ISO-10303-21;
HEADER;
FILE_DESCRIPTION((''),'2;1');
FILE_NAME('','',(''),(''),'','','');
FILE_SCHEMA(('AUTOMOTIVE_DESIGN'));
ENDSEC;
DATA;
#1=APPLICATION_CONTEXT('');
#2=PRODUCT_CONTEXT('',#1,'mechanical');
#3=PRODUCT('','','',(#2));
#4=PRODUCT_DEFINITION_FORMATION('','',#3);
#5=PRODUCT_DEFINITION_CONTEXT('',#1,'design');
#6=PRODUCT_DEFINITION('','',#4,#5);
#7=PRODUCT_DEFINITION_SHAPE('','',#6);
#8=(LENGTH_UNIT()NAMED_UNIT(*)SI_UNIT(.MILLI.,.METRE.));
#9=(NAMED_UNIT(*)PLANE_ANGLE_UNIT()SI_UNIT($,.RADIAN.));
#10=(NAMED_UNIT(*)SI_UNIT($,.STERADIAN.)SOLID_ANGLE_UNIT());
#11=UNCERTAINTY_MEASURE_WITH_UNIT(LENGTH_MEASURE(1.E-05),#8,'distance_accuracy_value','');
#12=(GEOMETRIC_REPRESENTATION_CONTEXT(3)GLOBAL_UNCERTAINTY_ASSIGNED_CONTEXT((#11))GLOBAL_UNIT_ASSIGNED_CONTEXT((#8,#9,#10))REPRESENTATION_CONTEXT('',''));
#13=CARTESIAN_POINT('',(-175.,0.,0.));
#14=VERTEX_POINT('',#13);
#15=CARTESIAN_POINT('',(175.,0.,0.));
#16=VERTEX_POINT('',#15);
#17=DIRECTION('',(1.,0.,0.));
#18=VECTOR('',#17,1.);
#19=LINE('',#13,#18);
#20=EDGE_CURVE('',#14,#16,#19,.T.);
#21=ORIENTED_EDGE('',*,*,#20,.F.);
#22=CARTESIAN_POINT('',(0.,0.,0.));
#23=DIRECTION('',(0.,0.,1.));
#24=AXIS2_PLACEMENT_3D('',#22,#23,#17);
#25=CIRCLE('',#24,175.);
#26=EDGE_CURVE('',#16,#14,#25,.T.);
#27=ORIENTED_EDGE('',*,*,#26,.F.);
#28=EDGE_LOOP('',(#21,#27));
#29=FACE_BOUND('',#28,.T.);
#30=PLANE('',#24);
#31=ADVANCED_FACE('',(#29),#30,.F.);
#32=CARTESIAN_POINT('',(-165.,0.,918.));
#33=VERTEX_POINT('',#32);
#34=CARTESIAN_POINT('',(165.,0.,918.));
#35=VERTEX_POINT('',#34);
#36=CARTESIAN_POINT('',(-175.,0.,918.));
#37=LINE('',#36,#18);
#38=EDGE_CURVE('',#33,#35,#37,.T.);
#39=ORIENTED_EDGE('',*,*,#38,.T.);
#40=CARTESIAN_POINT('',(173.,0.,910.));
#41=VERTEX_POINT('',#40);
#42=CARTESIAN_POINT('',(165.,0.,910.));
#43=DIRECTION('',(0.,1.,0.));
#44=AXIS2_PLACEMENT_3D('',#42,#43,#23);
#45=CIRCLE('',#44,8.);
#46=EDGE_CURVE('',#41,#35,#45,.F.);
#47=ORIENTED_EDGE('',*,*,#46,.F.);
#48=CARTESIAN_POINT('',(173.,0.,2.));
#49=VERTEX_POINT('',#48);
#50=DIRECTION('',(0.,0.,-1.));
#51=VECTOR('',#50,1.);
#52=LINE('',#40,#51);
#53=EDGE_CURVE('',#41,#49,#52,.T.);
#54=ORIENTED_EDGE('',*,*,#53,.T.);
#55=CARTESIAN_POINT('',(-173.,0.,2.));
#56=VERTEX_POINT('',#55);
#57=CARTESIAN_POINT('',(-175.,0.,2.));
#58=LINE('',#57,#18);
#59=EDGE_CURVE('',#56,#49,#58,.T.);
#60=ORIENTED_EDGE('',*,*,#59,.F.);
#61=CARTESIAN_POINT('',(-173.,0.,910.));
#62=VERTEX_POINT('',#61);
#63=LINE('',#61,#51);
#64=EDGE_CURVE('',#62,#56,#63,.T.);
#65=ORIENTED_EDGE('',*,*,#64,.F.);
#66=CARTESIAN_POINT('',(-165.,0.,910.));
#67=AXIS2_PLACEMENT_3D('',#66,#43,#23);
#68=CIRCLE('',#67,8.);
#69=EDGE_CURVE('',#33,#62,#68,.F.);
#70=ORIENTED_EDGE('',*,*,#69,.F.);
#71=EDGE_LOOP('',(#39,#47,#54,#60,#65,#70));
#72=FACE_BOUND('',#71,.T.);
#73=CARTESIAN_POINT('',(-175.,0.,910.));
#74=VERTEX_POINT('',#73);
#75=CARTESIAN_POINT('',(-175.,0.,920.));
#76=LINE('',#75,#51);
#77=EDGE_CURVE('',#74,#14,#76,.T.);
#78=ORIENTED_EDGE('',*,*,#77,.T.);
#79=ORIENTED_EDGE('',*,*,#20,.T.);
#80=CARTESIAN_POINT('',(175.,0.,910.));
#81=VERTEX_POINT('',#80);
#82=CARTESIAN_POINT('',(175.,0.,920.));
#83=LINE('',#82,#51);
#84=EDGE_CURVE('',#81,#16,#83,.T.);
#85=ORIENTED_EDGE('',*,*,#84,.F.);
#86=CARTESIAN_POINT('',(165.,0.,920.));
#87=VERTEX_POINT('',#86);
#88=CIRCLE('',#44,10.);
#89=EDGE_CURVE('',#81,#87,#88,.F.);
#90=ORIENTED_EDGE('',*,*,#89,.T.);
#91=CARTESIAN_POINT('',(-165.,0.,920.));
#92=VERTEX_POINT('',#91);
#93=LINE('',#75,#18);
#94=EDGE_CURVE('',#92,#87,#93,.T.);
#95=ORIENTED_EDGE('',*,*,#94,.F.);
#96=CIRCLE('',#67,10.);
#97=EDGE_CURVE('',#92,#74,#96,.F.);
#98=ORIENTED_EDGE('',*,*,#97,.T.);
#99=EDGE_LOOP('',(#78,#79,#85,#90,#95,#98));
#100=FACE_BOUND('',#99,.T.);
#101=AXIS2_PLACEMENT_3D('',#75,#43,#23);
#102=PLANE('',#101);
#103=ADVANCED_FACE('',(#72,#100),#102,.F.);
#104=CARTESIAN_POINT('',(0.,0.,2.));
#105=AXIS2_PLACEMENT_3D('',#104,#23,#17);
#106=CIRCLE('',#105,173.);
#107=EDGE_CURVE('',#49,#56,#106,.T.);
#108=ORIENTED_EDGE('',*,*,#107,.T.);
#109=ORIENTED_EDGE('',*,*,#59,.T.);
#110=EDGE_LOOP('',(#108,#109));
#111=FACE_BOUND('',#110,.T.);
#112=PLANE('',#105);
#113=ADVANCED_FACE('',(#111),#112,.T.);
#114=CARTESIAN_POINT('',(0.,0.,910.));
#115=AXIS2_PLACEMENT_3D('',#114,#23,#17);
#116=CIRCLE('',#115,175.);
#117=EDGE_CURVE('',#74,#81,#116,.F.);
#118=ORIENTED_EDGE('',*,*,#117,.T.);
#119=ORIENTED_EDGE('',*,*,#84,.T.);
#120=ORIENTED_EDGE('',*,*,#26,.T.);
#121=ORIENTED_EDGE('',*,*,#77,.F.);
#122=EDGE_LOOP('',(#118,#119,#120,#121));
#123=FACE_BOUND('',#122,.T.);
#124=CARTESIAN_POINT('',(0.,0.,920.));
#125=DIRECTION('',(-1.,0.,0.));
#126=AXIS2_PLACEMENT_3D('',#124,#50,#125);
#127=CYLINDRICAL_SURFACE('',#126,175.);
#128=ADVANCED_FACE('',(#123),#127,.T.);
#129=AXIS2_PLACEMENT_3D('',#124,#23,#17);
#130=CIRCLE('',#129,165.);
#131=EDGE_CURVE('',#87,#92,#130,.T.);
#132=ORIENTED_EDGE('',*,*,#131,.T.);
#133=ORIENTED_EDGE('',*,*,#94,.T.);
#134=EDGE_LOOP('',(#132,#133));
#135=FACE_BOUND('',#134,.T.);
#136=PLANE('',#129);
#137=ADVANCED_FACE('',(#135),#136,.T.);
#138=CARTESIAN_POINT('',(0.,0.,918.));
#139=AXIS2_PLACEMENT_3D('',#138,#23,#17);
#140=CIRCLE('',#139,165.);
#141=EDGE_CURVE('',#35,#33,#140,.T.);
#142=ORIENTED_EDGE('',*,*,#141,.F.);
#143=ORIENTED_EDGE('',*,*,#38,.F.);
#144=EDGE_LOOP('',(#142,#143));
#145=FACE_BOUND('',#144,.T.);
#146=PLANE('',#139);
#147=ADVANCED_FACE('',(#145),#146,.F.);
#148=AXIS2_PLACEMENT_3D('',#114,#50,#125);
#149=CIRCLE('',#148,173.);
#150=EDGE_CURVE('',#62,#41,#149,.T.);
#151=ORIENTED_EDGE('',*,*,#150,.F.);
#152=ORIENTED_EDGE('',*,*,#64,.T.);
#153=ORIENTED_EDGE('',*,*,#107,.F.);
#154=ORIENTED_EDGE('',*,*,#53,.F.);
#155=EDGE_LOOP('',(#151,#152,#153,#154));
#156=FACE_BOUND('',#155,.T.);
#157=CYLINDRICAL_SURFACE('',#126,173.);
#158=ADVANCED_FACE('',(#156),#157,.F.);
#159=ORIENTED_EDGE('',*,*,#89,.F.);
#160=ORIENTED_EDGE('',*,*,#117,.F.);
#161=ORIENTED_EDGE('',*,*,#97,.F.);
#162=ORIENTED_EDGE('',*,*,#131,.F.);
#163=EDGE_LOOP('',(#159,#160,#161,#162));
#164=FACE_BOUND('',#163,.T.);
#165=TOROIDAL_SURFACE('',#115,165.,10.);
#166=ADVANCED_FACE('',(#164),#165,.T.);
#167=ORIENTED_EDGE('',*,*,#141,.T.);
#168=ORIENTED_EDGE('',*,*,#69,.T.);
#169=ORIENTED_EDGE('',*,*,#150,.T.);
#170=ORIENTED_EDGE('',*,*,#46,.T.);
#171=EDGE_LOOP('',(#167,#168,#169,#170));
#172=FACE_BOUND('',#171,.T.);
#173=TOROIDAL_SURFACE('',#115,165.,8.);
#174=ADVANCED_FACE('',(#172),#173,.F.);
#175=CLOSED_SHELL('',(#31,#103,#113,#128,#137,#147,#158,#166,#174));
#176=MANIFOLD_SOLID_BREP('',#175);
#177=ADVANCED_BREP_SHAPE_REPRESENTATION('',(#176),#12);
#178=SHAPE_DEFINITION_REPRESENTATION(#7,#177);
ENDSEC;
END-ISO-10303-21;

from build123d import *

# Parameters (mm, degrees)
EXTRUDE_1_DEPTH = 920
FILLET_1_R      = 10
SHELL_1_T       = -2


with BuildPart() as part:
    # 草图1 → 凸台-拉伸1 (new body)
    with BuildSketch(Plane.XY):
        with BuildLine():
            Line((-175, 0), (175, 0))
            ThreePointArc((175, 0), (0, 175), (-175, 0))
        make_face()
    extrude(amount=EXTRUDE_1_DEPTH)

    # 圆角1
    fillet_1_edges = [part.edges().sort_by_distance(p)[0] for p in [
        (0, 175, 920),
    ]]
    fillet(fillet_1_edges, radius=FILLET_1_R)

    # 抽壳1
    shell_1_openings = [part.faces().sort_by_distance(p)[0] for p in [
        (0, 0, 459.938974789),
    ]]
    offset(amount=SHELL_1_T, openings=shell_1_openings)


solid = part.part
